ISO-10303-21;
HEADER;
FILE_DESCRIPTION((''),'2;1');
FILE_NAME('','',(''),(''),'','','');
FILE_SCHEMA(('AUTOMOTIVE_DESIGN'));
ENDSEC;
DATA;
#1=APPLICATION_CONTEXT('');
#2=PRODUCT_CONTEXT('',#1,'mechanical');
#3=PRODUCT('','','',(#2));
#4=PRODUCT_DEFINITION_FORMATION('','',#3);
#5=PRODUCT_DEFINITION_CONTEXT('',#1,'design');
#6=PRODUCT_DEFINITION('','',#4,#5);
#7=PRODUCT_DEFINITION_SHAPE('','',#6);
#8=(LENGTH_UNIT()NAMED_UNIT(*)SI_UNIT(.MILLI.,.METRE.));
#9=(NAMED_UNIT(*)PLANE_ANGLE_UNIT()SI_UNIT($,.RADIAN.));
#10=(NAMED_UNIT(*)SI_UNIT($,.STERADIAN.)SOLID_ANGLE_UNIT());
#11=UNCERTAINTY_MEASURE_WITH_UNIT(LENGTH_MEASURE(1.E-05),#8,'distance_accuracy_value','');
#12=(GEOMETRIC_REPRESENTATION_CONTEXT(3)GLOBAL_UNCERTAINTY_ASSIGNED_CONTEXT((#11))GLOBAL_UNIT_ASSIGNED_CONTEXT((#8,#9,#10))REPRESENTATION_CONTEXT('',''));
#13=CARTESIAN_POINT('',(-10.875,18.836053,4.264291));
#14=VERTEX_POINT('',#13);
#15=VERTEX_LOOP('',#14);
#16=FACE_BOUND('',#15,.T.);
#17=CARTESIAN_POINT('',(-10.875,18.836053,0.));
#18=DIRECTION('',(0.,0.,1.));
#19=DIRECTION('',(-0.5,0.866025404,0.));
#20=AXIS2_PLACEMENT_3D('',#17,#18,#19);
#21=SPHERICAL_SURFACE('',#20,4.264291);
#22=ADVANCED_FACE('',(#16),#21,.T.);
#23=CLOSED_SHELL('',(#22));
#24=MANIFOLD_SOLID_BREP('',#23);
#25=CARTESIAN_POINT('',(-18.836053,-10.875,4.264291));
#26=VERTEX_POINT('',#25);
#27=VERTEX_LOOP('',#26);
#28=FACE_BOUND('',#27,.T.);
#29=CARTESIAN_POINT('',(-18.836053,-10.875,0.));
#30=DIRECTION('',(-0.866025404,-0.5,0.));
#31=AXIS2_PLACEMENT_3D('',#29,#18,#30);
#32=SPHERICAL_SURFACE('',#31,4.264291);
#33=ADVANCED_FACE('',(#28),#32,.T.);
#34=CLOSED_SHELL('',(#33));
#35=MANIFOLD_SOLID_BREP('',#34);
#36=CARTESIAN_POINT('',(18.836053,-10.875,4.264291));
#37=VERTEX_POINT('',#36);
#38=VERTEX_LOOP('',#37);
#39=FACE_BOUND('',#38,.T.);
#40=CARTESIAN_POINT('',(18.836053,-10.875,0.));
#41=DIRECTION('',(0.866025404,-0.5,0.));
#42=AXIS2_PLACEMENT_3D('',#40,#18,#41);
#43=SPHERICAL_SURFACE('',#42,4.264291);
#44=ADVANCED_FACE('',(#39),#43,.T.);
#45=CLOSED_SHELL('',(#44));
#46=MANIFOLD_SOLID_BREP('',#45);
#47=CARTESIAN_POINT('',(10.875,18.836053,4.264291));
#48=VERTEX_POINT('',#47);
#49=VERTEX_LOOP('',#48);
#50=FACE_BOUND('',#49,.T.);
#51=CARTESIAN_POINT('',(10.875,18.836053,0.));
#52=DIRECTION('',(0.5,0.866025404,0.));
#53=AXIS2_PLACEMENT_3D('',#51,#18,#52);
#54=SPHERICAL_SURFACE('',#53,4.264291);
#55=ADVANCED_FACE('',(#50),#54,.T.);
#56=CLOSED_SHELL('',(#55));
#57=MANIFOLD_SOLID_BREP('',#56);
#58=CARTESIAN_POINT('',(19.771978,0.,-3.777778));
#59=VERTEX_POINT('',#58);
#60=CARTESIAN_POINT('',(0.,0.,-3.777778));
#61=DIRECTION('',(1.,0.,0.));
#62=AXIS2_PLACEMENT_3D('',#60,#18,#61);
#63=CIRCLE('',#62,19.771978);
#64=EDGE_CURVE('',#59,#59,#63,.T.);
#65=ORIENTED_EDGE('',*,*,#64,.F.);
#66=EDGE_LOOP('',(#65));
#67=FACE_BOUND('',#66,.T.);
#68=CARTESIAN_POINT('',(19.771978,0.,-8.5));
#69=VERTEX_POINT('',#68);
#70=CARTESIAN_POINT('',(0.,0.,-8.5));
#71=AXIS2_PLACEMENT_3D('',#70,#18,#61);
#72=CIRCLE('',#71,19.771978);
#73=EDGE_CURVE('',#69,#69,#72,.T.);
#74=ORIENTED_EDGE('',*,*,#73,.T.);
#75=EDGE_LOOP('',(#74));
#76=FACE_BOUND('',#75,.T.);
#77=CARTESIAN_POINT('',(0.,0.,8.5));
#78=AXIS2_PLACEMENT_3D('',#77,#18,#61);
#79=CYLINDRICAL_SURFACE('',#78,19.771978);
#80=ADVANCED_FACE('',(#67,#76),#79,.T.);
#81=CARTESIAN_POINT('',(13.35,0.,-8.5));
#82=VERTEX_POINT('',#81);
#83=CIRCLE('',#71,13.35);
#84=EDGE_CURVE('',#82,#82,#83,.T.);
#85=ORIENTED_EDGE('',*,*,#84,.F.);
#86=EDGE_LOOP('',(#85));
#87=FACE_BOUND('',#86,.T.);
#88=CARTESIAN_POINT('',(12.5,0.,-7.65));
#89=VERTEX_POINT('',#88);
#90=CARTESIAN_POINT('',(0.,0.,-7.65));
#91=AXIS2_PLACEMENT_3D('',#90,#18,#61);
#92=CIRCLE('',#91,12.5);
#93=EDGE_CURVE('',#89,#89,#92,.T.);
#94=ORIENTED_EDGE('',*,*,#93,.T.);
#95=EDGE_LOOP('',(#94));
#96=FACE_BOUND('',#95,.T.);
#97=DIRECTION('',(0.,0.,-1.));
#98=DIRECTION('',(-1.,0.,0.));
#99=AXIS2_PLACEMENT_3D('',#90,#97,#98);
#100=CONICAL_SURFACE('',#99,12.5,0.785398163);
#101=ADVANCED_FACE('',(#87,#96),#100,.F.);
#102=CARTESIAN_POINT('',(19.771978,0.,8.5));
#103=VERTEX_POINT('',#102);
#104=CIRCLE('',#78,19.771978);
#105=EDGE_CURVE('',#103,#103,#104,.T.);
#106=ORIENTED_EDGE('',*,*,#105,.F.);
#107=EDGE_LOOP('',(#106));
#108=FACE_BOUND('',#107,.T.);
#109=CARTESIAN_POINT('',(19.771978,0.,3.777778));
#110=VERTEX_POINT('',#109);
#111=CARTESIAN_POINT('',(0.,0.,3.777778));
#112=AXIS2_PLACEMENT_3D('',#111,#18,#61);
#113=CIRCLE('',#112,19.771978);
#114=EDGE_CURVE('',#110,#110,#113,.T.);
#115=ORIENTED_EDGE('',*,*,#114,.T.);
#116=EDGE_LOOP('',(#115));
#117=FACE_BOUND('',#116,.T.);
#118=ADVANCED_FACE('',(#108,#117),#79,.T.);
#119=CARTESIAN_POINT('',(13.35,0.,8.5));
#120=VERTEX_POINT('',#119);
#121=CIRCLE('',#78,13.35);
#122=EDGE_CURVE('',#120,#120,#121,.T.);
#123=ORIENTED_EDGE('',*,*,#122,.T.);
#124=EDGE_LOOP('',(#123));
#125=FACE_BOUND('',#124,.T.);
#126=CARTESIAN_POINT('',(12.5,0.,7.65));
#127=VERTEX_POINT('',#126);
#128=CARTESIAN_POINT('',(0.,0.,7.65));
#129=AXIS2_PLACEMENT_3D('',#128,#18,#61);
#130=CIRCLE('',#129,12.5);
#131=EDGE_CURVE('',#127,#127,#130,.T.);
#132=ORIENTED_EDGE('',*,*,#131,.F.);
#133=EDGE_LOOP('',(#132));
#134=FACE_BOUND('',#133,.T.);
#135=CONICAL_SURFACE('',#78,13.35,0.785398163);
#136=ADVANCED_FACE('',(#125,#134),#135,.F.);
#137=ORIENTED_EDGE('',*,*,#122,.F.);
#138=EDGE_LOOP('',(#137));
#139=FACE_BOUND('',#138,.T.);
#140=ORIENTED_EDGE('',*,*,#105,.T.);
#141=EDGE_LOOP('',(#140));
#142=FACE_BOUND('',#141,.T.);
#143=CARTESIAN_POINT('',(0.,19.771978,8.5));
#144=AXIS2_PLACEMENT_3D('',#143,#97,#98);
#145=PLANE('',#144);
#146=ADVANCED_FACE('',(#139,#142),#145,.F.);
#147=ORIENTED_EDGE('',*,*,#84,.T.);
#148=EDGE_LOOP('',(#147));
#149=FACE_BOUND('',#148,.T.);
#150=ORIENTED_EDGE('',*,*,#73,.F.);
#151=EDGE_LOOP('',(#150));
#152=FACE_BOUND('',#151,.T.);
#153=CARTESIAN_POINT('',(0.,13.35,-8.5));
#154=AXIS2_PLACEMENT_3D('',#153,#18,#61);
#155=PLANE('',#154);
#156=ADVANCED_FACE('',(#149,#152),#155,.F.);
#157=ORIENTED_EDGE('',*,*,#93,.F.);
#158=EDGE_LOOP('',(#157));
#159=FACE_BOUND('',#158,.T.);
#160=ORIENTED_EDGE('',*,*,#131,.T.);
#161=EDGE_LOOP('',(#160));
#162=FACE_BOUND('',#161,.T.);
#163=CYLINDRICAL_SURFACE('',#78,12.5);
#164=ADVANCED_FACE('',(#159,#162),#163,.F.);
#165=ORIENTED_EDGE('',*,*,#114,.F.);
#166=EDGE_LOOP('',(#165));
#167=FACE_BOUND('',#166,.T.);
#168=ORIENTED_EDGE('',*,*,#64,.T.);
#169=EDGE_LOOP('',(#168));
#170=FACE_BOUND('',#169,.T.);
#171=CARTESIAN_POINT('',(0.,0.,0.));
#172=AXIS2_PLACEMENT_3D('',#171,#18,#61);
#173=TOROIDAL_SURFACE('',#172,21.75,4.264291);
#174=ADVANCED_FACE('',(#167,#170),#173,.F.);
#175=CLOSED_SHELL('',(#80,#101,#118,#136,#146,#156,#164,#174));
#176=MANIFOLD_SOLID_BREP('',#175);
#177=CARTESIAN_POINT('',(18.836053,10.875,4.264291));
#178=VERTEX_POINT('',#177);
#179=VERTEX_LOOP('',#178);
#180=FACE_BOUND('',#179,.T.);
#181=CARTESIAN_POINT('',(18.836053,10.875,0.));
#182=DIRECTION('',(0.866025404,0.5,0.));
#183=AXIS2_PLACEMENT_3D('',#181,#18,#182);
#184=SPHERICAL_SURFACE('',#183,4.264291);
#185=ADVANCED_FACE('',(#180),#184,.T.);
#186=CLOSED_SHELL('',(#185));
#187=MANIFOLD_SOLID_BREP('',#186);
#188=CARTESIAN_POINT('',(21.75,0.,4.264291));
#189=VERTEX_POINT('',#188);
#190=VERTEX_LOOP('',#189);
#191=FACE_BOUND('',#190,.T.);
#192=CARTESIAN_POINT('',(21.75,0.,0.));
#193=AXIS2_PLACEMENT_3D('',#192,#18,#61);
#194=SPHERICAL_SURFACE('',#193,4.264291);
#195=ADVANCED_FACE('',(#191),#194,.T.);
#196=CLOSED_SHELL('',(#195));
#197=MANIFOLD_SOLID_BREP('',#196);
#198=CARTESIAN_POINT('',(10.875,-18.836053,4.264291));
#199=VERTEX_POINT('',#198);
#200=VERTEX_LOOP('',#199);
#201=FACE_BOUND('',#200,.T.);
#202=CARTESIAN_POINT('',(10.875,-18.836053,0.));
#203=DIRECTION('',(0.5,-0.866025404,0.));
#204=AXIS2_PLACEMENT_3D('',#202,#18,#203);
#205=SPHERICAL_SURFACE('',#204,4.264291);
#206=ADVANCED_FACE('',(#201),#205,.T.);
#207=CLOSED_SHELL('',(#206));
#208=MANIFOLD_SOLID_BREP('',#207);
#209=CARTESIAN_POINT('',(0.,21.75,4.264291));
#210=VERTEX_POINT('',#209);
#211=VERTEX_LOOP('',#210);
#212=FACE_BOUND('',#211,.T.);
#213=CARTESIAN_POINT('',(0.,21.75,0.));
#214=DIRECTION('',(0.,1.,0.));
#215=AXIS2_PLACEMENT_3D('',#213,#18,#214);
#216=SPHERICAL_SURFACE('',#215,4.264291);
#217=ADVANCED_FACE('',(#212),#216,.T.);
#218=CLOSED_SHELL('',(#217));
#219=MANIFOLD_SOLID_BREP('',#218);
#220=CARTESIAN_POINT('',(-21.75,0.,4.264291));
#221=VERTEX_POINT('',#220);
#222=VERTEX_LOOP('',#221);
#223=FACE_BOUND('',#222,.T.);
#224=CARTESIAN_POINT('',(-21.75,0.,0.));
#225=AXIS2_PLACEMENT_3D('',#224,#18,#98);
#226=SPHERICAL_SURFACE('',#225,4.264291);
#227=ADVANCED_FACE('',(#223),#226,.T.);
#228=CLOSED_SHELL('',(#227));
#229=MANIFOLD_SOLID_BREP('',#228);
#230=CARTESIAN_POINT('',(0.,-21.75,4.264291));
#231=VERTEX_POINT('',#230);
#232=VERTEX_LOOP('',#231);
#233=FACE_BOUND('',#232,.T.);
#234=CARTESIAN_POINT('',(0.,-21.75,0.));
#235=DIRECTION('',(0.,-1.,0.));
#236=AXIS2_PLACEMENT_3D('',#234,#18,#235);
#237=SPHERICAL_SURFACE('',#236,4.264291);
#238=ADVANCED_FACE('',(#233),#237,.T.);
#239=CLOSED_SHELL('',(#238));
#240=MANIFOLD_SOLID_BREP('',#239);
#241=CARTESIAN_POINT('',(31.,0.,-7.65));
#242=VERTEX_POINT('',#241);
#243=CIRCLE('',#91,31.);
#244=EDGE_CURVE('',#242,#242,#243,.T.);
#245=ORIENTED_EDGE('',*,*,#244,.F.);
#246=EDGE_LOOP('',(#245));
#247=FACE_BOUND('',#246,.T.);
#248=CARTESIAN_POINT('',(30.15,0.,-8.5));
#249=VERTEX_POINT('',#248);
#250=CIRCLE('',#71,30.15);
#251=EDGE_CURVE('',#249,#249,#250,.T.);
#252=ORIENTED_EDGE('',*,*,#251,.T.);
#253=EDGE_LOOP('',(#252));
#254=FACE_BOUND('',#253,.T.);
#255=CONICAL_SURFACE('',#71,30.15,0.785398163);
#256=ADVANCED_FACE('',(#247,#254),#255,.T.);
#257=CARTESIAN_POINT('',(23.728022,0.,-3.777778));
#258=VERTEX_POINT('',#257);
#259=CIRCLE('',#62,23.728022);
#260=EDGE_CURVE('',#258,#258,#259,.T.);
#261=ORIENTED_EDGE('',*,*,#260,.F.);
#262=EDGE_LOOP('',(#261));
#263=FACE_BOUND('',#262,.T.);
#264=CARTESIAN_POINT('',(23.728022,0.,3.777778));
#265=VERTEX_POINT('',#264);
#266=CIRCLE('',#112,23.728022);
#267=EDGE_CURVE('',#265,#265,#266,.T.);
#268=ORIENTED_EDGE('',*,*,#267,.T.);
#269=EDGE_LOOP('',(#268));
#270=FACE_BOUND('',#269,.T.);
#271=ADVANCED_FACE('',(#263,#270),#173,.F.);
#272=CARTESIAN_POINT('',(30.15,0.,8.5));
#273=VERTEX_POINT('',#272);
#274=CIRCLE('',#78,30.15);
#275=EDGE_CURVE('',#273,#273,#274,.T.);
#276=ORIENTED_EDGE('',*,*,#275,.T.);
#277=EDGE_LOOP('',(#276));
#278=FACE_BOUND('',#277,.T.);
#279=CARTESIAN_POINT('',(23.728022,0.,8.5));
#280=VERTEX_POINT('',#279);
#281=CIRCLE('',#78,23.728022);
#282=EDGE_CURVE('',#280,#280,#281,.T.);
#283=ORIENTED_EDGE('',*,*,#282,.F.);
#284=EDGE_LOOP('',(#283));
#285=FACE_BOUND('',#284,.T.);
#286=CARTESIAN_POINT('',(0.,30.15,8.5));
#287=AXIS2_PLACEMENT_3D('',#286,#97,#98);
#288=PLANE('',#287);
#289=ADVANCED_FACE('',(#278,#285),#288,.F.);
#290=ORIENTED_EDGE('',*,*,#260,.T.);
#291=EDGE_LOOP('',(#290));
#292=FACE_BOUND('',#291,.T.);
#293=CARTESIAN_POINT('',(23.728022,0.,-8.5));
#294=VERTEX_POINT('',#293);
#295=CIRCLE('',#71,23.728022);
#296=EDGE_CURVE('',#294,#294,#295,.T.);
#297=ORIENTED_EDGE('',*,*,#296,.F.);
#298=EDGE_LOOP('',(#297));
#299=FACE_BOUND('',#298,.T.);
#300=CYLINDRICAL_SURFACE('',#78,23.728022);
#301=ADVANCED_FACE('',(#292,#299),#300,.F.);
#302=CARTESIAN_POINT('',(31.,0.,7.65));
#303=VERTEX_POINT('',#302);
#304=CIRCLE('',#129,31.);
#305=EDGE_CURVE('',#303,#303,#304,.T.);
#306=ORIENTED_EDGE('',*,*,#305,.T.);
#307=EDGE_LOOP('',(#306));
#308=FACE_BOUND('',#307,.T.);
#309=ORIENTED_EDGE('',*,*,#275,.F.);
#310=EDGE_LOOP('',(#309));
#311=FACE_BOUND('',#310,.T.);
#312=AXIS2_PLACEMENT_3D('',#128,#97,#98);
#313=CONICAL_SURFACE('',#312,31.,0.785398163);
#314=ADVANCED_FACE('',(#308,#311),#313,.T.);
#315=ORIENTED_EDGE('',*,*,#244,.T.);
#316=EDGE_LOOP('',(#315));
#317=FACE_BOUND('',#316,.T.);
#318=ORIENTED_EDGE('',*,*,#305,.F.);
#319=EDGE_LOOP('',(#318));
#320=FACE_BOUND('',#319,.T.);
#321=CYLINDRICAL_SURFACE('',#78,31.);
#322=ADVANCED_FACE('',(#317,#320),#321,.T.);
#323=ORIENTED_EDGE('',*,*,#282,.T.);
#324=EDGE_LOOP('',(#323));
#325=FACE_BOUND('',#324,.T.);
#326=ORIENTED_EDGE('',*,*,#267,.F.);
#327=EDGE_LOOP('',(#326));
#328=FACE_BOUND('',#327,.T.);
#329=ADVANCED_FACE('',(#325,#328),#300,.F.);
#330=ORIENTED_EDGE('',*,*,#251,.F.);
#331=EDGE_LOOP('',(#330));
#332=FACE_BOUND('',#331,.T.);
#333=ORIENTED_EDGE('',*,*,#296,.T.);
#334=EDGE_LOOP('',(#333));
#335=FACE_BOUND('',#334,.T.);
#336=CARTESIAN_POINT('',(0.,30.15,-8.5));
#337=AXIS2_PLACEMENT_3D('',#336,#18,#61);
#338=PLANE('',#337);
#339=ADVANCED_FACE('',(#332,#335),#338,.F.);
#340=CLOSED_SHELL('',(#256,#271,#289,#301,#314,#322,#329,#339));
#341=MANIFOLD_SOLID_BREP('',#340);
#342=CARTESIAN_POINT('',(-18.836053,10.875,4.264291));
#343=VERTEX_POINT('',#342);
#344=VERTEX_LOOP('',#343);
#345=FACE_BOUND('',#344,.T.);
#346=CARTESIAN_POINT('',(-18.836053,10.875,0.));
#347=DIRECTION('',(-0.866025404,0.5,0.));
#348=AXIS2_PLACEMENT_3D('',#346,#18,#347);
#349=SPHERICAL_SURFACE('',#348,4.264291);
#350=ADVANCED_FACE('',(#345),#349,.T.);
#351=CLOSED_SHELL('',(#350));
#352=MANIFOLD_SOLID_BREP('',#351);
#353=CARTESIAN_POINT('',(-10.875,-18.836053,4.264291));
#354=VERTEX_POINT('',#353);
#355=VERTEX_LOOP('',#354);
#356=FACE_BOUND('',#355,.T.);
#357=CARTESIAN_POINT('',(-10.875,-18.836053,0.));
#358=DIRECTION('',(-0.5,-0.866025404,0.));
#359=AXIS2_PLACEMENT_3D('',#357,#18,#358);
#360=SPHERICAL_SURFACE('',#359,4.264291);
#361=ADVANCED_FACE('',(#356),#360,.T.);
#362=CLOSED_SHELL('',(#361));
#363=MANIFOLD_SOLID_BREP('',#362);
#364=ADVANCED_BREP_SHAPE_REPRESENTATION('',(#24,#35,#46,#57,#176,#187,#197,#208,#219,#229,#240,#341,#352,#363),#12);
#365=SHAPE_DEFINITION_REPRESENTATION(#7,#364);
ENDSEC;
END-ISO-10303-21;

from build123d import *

# Parameters (mm, degrees)
CIRPATTERN1_COUNT = 12


with BuildPart() as part:
    # Sketch1 → Revolve1 (revolve)
    with BuildSketch(Plane(origin=(0, 0, 0), x_dir=(0, 0, -1), z_dir=(1, 0, 0))):
        with BuildLine():
            Line((7.65, 31), (-7.65, 31))
            Line((-7.65, 31), (-8.5, 30.15))
            Line((-8.5, 30.15), (-8.5, 23.728021978))
            Line((-8.5, 23.728021978), (-3.777777778, 23.728021978))
            ThreePointArc((-3.777777778, 23.728021978), (0, 26.014290783), (3.777777778, 23.728021978))
            Line((3.777777778, 23.728021978), (8.5, 23.728021978))
            Line((8.5, 23.728021978), (8.5, 30.15))
            Line((8.5, 30.15), (7.65, 31))
        make_face()
    revolve(axis=Axis((0, 0, 8.5), (0, 0, -1)))


with BuildPart() as body_2:
    # Sketch3 → Revolve3 (revolve)
    with BuildSketch(Plane(origin=(0, 0, 0), x_dir=(0, 0, -1), z_dir=(1, 0, 0))):
        with BuildLine():
            Line((-8.5, 19.771978022), (-3.777777778, 19.771978022))
            ThreePointArc((-3.777777778, 19.771978022), (0, 17.485709217), (3.777777778, 19.771978022))
            Line((3.777777778, 19.771978022), (8.5, 19.771978022))
            Line((8.5, 19.771978022), (8.5, 13.35))
            Line((8.5, 13.35), (7.65, 12.5))
            Line((7.65, 12.5), (-7.65, 12.5))
            Line((-7.65, 12.5), (-8.5, 13.35))
            Line((-8.5, 13.35), (-8.5, 19.771978022))
        make_face()
    revolve(axis=Axis((0, 0, 8.5), (0, 0, -1)))


with BuildPart() as body_3:
    # Sketch4 → Revolve4 (revolve)
    with BuildSketch(Plane(origin=(0, 0, 0), x_dir=(0, 0, -1), z_dir=(1, 0, 0))):
        with BuildLine():
            Line((-4.264290783, 21.75), (4.264290783, 21.75))
            ThreePointArc((4.264290783, 21.75), (0, 26.014290783), (-4.264290783, 21.75))
        make_face()
    revolve(axis=Axis((0, 21.75, 4.264290783), (0, 0, -1)))


with BuildPart() as cirpattern1_1:
    # CirPattern1: pattern copy
    add(body_3.part.rotate(Axis((0, 0, -8.5), (0, 0, 1)), 1 * 360 / CIRPATTERN1_COUNT))


with BuildPart() as cirpattern1_2:
    # CirPattern1: pattern copy
    add(body_3.part.rotate(Axis((0, 0, -8.5), (0, 0, 1)), 2 * 360 / CIRPATTERN1_COUNT))


with BuildPart() as cirpattern1_3:
    # CirPattern1: pattern copy
    add(body_3.part.rotate(Axis((0, 0, -8.5), (0, 0, 1)), 3 * 360 / CIRPATTERN1_COUNT))


with BuildPart() as cirpattern1_4:
    # CirPattern1: pattern copy
    add(body_3.part.rotate(Axis((0, 0, -8.5), (0, 0, 1)), 4 * 360 / CIRPATTERN1_COUNT))


with BuildPart() as cirpattern1_5:
    # CirPattern1: pattern copy
    add(body_3.part.rotate(Axis((0, 0, -8.5), (0, 0, 1)), 5 * 360 / CIRPATTERN1_COUNT))


with BuildPart() as cirpattern1_6:
    # CirPattern1: pattern copy
    add(body_3.part.rotate(Axis((0, 0, -8.5), (0, 0, 1)), 6 * 360 / CIRPATTERN1_COUNT))


with BuildPart() as cirpattern1_7:
    # CirPattern1: pattern copy
    add(body_3.part.rotate(Axis((0, 0, -8.5), (0, 0, 1)), 7 * 360 / CIRPATTERN1_COUNT))


with BuildPart() as cirpattern1_8:
    # CirPattern1: pattern copy
    add(body_3.part.rotate(Axis((0, 0, -8.5), (0, 0, 1)), 8 * 360 / CIRPATTERN1_COUNT))


with BuildPart() as cirpattern1_9:
    # CirPattern1: pattern copy
    add(body_3.part.rotate(Axis((0, 0, -8.5), (0, 0, 1)), 9 * 360 / CIRPATTERN1_COUNT))


with BuildPart() as cirpattern1_10:
    # CirPattern1: pattern copy
    add(body_3.part.rotate(Axis((0, 0, -8.5), (0, 0, 1)), 10 * 360 / CIRPATTERN1_COUNT))


with BuildPart() as cirpattern1_11:
    # CirPattern1: pattern copy
    add(body_3.part.rotate(Axis((0, 0, -8.5), (0, 0, 1)), 11 * 360 / CIRPATTERN1_COUNT))


solid = Compound([part.part, body_2.part, body_3.part, cirpattern1_1.part, cirpattern1_2.part, cirpattern1_3.part, cirpattern1_4.part, cirpattern1_5.part, cirpattern1_6.part, cirpattern1_7.part, cirpattern1_8.part, cirpattern1_9.part, cirpattern1_10.part, cirpattern1_11.part])
